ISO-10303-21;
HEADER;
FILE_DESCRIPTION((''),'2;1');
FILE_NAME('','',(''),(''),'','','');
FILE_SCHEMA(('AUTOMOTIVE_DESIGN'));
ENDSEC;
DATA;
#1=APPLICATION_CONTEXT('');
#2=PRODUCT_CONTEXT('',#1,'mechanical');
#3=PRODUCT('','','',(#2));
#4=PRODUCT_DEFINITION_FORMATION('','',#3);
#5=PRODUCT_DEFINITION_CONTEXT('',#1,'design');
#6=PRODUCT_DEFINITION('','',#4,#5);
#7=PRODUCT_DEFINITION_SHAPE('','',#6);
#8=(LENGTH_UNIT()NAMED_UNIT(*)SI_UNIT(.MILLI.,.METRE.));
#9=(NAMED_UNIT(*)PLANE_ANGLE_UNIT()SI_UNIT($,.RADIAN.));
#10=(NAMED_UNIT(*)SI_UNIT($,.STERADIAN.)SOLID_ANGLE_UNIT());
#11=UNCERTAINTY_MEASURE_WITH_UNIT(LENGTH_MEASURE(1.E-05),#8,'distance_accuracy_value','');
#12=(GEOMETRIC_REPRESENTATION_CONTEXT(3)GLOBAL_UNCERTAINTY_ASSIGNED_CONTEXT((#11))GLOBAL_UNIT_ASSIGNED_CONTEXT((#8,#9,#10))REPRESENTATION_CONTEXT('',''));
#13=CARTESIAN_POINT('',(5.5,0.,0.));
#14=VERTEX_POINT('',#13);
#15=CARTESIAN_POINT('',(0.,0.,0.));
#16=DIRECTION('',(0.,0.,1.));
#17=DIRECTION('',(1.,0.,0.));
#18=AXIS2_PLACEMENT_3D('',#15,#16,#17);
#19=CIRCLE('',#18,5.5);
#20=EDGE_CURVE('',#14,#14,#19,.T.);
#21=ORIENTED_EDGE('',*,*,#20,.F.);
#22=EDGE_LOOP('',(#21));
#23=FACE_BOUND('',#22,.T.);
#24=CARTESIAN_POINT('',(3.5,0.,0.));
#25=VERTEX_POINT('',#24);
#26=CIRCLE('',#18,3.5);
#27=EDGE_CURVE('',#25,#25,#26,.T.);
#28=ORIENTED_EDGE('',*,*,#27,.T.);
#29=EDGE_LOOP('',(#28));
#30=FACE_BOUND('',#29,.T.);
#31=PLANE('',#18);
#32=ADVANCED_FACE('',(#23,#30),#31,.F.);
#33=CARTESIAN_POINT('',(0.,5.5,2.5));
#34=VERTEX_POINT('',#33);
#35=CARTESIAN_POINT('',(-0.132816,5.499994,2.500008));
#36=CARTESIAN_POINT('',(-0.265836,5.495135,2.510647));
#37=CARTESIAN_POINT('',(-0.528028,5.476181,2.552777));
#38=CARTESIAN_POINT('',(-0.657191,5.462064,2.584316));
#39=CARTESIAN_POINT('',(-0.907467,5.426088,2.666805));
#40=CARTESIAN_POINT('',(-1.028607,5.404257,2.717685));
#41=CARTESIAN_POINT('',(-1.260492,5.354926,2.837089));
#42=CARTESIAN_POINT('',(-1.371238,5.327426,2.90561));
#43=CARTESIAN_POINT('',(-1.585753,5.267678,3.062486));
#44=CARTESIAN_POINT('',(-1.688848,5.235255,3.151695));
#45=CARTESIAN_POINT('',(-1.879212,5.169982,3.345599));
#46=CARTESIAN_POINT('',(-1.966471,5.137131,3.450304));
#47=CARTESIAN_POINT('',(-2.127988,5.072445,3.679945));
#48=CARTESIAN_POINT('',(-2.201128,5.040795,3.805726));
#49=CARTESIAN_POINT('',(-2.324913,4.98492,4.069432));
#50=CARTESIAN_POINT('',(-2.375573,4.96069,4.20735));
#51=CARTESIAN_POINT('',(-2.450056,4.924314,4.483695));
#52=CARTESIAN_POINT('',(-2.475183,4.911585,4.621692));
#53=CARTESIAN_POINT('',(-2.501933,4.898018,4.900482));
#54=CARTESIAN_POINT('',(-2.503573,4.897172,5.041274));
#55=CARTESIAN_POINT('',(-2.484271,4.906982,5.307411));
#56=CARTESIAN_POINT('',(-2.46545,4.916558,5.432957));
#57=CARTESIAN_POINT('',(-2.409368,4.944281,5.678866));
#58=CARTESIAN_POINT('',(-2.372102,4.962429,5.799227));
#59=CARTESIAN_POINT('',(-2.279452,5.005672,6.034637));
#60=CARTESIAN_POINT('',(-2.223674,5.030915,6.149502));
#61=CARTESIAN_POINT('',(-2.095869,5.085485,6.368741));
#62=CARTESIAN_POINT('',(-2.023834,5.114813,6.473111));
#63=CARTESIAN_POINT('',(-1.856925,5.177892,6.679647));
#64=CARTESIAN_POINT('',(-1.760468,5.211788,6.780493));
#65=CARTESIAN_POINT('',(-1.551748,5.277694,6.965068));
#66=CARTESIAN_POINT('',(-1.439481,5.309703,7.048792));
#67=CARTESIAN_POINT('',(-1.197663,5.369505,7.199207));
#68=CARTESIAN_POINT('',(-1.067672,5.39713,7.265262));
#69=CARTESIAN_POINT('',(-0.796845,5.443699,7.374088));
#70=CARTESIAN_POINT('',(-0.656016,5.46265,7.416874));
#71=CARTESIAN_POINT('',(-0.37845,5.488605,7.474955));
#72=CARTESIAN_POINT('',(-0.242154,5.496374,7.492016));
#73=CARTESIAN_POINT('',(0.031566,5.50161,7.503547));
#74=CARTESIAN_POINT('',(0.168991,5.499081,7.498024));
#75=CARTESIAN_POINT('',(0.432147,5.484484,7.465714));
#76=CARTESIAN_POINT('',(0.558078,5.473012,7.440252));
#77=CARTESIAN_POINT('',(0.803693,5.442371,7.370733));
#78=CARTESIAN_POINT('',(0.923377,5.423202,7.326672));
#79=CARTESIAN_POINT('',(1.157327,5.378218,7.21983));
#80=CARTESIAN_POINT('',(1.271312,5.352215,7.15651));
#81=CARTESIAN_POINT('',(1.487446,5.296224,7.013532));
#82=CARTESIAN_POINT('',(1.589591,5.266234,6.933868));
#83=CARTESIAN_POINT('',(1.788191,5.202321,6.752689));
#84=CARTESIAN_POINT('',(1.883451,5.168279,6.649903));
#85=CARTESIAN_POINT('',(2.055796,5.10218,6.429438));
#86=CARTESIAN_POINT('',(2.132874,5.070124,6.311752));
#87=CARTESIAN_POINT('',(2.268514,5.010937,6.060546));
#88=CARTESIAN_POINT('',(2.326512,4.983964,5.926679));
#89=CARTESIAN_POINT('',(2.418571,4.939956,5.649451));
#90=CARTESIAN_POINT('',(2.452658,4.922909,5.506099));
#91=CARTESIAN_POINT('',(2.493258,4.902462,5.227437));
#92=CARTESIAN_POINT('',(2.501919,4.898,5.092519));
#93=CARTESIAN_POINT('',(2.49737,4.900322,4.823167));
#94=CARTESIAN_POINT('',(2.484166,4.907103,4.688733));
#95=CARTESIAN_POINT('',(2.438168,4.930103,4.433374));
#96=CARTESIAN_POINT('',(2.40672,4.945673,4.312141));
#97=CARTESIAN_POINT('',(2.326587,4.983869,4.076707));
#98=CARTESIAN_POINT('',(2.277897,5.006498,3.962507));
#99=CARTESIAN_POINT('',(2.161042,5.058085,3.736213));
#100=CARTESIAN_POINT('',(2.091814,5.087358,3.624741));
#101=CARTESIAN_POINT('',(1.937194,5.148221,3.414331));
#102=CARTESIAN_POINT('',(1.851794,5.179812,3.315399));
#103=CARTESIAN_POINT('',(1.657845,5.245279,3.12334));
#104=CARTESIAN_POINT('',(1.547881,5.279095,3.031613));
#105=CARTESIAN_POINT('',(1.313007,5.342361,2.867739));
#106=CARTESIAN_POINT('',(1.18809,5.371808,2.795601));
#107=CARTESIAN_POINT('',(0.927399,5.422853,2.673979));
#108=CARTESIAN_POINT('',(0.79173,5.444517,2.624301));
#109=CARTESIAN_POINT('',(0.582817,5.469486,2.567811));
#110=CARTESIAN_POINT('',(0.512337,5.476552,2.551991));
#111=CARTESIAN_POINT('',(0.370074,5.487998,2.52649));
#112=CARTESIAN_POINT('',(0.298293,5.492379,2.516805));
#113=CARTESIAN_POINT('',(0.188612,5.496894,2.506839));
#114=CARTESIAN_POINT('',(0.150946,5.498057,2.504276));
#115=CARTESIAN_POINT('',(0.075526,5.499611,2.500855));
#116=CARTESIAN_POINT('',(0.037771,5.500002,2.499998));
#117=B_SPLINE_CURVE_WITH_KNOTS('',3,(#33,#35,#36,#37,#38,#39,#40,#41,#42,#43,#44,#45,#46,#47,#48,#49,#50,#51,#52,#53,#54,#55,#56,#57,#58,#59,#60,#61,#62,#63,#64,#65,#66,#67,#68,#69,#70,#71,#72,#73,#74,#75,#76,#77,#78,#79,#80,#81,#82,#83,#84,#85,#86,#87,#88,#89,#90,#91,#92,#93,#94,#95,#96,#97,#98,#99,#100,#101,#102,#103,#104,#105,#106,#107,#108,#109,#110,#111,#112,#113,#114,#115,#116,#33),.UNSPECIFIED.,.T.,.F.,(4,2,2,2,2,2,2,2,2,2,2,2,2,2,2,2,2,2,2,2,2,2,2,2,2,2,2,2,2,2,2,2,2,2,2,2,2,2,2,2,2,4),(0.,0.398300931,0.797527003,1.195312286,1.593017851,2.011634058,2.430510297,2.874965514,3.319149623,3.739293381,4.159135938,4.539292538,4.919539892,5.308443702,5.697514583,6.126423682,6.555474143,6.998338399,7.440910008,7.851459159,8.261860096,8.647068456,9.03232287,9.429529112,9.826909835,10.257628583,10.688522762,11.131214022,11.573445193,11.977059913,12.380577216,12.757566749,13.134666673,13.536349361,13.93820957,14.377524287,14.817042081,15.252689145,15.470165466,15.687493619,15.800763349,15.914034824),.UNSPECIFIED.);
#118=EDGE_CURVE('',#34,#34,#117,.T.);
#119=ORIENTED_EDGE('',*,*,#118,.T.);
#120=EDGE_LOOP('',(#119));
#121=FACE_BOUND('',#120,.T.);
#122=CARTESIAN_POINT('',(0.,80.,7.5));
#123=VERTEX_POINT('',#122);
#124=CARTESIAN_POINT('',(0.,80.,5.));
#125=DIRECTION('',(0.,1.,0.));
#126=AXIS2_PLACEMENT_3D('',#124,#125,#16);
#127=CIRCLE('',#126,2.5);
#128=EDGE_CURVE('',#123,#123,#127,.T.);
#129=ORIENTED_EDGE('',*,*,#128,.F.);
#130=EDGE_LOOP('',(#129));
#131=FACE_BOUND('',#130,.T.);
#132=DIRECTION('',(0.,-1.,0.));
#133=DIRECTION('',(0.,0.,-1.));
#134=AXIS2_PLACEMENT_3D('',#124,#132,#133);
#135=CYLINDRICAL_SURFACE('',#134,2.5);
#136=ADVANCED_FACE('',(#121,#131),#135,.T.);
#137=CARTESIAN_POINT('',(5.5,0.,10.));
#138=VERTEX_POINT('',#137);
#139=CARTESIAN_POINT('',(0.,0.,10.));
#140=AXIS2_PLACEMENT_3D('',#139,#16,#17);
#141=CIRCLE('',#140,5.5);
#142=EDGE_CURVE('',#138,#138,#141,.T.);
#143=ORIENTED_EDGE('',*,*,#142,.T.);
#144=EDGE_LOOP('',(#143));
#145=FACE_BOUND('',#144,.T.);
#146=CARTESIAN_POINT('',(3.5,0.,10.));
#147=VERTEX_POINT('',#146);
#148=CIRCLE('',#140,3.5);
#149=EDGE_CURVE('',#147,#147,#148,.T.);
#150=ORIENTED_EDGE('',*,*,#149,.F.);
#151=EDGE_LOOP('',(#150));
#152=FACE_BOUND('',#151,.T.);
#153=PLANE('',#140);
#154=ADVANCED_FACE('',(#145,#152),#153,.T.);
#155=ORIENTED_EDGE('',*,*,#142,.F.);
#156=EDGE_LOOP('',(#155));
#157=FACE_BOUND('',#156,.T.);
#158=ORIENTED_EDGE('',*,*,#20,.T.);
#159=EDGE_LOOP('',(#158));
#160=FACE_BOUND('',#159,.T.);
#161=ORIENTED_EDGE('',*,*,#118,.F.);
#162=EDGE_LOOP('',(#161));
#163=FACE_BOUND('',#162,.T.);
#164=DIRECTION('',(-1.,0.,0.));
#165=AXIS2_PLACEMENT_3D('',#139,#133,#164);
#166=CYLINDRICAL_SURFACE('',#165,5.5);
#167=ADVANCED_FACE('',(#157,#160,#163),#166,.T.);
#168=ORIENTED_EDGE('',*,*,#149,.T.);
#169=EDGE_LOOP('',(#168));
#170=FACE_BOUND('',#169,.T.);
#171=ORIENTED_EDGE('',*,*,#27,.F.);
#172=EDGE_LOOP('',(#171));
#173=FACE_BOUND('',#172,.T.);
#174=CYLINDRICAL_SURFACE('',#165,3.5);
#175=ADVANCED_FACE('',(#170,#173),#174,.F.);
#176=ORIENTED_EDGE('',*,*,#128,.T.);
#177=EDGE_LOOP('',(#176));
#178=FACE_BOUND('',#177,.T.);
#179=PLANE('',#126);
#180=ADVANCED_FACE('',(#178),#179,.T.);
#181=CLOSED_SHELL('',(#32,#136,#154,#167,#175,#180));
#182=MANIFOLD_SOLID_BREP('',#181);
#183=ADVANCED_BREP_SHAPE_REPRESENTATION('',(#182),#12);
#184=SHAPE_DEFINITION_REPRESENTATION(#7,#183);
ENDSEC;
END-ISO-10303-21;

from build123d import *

# Parameters (mm, degrees)
SKETCH1_R           = 5.5
SKETCH1_R_2         = 3.5
BOSS_EXTRUDE1_DEPTH = 10
SKETCH2_R           = 2.5
BOSS_EXTRUDE2_DEPTH = 80
SKETCH3_R           = 3.5
CUT_EXTRUDE1_DEPTH  = 11.0000001


with BuildPart() as part:
    # Sketch1 → Boss-Extrude1 (new body)
    with BuildSketch(Plane.XY):
        Circle(SKETCH1_R)
        Circle(SKETCH1_R_2, mode=Mode.SUBTRACT)
    extrude(amount=BOSS_EXTRUDE1_DEPTH)

    # Sketch2 → Boss-Extrude2 (add)
    with BuildSketch(Plane(origin=(0, 0, 0), x_dir=(1, 0, 0), z_dir=(0, 1, 0))):
        with Locations((0, -5)):
            Circle(SKETCH2_R)
    extrude(amount=BOSS_EXTRUDE2_DEPTH)

    # Sketch3 → Cut-Extrude1 (cut, through all)
    with BuildSketch(Plane.XY.offset(10)):
        Circle(SKETCH3_R)
    extrude(amount=-CUT_EXTRUDE1_DEPTH, mode=Mode.SUBTRACT)


solid = part.part
